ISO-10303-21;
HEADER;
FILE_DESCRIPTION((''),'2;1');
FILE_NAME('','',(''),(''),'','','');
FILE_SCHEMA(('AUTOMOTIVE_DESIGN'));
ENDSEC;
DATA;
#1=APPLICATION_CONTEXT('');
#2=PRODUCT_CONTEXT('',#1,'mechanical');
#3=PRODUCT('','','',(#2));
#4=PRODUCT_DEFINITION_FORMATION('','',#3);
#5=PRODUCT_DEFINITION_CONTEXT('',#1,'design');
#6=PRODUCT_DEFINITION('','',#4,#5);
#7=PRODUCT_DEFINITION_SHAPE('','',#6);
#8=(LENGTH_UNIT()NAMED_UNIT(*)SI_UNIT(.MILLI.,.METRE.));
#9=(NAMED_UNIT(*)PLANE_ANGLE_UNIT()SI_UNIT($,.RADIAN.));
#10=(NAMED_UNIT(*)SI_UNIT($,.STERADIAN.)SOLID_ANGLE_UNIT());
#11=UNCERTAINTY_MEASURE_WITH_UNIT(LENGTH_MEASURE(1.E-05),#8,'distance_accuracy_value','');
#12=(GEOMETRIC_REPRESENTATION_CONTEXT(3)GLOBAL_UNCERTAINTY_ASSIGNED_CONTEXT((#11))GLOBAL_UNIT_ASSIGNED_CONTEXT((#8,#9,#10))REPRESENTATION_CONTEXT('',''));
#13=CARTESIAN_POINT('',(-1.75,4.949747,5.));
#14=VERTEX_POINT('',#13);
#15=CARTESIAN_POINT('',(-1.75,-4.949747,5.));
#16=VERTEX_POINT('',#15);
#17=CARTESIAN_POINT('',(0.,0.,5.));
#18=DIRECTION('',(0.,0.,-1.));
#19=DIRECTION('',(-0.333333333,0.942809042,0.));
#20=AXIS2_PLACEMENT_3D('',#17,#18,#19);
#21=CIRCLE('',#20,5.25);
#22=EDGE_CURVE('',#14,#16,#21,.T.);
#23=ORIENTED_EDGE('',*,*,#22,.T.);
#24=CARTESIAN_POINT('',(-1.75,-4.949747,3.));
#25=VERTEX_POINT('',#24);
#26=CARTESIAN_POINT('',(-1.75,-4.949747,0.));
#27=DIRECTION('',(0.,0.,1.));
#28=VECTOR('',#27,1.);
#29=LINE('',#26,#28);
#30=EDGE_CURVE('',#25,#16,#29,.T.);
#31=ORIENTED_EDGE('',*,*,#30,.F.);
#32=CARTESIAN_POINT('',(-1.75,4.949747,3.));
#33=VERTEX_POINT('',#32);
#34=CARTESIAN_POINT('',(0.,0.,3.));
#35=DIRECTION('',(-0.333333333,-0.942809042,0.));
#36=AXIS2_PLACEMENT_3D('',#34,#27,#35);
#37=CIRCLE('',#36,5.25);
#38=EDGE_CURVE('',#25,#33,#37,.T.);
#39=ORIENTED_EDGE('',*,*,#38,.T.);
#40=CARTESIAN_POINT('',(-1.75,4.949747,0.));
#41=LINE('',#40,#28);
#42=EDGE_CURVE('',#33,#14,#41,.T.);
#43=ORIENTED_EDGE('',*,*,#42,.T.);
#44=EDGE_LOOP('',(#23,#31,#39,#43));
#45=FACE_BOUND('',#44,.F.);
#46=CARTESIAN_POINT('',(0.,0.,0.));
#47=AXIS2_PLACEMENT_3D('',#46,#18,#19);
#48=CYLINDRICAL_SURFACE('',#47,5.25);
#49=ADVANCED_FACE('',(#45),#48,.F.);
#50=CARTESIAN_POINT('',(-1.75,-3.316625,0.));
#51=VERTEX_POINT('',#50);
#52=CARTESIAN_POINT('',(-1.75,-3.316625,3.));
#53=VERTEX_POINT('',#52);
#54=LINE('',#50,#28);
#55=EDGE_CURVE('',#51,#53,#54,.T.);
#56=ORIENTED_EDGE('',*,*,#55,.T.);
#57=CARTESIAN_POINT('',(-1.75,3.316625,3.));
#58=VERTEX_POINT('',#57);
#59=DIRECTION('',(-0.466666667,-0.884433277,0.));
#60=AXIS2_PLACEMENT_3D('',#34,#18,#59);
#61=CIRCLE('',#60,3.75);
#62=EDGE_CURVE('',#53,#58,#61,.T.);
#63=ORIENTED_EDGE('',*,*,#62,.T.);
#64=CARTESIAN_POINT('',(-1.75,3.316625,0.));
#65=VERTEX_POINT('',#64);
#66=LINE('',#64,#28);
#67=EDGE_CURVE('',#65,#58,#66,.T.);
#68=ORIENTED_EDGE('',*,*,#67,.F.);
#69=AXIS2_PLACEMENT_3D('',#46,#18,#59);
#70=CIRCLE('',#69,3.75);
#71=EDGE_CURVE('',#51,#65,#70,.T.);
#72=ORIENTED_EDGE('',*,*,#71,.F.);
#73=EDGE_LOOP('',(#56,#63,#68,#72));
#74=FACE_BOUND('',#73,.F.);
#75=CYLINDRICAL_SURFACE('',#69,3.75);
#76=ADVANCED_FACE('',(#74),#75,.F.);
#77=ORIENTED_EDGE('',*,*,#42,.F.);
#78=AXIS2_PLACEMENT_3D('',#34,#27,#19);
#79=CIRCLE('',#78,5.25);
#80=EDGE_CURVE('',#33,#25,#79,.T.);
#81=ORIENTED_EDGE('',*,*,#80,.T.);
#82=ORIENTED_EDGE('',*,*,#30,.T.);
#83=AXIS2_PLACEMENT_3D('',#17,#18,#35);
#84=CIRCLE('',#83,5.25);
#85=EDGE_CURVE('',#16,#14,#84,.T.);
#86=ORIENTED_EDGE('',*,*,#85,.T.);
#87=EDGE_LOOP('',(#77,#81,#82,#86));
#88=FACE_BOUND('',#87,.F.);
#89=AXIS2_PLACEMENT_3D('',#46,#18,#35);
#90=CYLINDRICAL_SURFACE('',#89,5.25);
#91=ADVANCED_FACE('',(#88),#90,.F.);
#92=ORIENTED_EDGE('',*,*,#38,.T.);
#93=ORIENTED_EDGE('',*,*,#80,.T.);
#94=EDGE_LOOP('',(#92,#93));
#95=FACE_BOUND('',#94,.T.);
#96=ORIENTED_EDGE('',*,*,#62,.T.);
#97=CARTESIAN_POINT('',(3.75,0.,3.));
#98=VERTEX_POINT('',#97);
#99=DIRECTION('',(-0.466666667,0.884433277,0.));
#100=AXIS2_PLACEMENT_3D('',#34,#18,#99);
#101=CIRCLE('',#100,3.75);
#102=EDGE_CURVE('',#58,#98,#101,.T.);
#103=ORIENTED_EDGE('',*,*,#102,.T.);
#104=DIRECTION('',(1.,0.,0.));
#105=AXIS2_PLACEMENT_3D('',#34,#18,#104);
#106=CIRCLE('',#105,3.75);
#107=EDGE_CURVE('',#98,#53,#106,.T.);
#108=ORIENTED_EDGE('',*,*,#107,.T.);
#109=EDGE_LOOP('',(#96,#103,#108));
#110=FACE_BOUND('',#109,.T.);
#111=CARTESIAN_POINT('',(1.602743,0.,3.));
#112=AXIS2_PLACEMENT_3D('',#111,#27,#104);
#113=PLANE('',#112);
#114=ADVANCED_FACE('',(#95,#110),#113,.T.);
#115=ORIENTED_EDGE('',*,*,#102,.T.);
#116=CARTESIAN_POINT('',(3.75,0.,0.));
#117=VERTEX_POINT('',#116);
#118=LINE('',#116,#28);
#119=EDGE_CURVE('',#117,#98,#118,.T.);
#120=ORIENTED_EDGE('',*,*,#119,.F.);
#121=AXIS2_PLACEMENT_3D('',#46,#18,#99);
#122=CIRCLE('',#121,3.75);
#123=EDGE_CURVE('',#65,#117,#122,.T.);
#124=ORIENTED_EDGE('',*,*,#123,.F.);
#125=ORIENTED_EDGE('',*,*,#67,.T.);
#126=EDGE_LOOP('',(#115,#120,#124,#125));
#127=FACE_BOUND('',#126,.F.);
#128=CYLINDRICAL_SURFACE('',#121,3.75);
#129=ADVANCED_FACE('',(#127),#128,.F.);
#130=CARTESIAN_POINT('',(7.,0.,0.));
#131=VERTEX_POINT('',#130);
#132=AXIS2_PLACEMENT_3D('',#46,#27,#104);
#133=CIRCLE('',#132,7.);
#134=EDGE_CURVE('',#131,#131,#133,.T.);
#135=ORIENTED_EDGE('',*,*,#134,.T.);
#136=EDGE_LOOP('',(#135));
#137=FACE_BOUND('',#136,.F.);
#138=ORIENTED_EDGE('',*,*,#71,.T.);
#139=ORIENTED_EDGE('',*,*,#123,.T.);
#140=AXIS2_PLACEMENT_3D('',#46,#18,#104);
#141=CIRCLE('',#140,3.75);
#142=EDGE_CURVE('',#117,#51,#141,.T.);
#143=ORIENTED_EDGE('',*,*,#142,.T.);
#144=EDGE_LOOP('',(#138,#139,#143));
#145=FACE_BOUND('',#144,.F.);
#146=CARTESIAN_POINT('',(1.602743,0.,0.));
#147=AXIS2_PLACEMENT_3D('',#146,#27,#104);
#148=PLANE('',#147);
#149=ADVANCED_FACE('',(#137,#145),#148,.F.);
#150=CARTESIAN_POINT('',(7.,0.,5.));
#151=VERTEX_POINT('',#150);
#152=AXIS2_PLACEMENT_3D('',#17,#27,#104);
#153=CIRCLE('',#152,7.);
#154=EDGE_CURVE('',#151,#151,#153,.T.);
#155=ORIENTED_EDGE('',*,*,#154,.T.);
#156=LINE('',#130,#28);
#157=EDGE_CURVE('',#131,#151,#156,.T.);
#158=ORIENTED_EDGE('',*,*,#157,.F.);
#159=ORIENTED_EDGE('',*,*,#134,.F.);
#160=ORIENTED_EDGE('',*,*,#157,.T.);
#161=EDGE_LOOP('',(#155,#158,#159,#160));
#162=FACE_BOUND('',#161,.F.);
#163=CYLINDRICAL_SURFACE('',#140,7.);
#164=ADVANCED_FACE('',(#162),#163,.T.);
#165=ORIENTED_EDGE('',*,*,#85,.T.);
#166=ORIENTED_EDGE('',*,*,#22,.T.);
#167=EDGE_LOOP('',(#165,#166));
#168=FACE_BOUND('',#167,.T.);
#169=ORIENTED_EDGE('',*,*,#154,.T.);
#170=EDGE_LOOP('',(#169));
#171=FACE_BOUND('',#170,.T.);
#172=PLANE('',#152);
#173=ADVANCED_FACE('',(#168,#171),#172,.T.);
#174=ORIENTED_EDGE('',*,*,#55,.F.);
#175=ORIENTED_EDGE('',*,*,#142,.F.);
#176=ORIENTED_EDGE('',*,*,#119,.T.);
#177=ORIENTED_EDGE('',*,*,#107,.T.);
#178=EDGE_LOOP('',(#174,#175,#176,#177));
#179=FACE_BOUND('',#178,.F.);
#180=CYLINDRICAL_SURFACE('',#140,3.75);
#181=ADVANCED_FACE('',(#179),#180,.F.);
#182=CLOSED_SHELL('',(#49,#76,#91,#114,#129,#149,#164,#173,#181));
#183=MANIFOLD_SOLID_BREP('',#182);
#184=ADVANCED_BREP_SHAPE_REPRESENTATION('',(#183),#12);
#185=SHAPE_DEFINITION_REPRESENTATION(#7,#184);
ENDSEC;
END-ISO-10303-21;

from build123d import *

# Parameters (mm, degrees)
F0_R     = 7
F1_DEPTH = 5
F2_DEPTH = 3


with BuildPart() as f1:
    # F0 (on Top) → F1 (new body)
    with BuildSketch(Plane.XY):
        Circle(F0_R)
        with BuildLine():
            ThreePointArc((-1.75, -4.9497474683), (-5.25, 0), (-1.75, 4.9497474683))
            ThreePointArc((-1.75, 4.9497474683), (3.0310889132, 4.2866070499), (5.25, 0))
            ThreePointArc((5.25, 0), (3.0310889132, -4.2866070499), (-1.75, -4.9497474683))
        make_face(mode=Mode.SUBTRACT)
    extrude(amount=F1_DEPTH)

    # F0 (on Top) → F2 (join)
    with BuildSketch(Plane.XY):
        with BuildLine():
            ThreePointArc((-1.75, 3.3166247904), (1.9364916731, 3.2113081447), (3.75, 0))
            ThreePointArc((3.75, 0), (1.9364916731, -3.2113081447), (-1.75, -3.3166247904))
            Line((-1.75, -3.3166247904), (-1.75, -4.9497474683))
            ThreePointArc((-1.75, -4.9497474683), (3.0310889132, -4.2866070499), (5.25, 0))
            ThreePointArc((5.25, 0), (3.0310889132, 4.2866070499), (-1.75, 4.9497474683))
            Line((-1.75, 4.9497474683), (-1.75, 3.3166247904))
        make_face()
        with BuildLine():
            ThreePointArc((-1.75, -3.3166247904), (-3.75, 0), (-1.75, 3.3166247904))
            Line((-1.75, 3.3166247904), (-1.75, 4.9497474683))
            ThreePointArc((-1.75, 4.9497474683), (-5.25, 0), (-1.75, -4.9497474683))
            Line((-1.75, -4.9497474683), (-1.75, -3.3166247904))
        make_face()
    extrude(amount=F2_DEPTH)


solid = f1.part
